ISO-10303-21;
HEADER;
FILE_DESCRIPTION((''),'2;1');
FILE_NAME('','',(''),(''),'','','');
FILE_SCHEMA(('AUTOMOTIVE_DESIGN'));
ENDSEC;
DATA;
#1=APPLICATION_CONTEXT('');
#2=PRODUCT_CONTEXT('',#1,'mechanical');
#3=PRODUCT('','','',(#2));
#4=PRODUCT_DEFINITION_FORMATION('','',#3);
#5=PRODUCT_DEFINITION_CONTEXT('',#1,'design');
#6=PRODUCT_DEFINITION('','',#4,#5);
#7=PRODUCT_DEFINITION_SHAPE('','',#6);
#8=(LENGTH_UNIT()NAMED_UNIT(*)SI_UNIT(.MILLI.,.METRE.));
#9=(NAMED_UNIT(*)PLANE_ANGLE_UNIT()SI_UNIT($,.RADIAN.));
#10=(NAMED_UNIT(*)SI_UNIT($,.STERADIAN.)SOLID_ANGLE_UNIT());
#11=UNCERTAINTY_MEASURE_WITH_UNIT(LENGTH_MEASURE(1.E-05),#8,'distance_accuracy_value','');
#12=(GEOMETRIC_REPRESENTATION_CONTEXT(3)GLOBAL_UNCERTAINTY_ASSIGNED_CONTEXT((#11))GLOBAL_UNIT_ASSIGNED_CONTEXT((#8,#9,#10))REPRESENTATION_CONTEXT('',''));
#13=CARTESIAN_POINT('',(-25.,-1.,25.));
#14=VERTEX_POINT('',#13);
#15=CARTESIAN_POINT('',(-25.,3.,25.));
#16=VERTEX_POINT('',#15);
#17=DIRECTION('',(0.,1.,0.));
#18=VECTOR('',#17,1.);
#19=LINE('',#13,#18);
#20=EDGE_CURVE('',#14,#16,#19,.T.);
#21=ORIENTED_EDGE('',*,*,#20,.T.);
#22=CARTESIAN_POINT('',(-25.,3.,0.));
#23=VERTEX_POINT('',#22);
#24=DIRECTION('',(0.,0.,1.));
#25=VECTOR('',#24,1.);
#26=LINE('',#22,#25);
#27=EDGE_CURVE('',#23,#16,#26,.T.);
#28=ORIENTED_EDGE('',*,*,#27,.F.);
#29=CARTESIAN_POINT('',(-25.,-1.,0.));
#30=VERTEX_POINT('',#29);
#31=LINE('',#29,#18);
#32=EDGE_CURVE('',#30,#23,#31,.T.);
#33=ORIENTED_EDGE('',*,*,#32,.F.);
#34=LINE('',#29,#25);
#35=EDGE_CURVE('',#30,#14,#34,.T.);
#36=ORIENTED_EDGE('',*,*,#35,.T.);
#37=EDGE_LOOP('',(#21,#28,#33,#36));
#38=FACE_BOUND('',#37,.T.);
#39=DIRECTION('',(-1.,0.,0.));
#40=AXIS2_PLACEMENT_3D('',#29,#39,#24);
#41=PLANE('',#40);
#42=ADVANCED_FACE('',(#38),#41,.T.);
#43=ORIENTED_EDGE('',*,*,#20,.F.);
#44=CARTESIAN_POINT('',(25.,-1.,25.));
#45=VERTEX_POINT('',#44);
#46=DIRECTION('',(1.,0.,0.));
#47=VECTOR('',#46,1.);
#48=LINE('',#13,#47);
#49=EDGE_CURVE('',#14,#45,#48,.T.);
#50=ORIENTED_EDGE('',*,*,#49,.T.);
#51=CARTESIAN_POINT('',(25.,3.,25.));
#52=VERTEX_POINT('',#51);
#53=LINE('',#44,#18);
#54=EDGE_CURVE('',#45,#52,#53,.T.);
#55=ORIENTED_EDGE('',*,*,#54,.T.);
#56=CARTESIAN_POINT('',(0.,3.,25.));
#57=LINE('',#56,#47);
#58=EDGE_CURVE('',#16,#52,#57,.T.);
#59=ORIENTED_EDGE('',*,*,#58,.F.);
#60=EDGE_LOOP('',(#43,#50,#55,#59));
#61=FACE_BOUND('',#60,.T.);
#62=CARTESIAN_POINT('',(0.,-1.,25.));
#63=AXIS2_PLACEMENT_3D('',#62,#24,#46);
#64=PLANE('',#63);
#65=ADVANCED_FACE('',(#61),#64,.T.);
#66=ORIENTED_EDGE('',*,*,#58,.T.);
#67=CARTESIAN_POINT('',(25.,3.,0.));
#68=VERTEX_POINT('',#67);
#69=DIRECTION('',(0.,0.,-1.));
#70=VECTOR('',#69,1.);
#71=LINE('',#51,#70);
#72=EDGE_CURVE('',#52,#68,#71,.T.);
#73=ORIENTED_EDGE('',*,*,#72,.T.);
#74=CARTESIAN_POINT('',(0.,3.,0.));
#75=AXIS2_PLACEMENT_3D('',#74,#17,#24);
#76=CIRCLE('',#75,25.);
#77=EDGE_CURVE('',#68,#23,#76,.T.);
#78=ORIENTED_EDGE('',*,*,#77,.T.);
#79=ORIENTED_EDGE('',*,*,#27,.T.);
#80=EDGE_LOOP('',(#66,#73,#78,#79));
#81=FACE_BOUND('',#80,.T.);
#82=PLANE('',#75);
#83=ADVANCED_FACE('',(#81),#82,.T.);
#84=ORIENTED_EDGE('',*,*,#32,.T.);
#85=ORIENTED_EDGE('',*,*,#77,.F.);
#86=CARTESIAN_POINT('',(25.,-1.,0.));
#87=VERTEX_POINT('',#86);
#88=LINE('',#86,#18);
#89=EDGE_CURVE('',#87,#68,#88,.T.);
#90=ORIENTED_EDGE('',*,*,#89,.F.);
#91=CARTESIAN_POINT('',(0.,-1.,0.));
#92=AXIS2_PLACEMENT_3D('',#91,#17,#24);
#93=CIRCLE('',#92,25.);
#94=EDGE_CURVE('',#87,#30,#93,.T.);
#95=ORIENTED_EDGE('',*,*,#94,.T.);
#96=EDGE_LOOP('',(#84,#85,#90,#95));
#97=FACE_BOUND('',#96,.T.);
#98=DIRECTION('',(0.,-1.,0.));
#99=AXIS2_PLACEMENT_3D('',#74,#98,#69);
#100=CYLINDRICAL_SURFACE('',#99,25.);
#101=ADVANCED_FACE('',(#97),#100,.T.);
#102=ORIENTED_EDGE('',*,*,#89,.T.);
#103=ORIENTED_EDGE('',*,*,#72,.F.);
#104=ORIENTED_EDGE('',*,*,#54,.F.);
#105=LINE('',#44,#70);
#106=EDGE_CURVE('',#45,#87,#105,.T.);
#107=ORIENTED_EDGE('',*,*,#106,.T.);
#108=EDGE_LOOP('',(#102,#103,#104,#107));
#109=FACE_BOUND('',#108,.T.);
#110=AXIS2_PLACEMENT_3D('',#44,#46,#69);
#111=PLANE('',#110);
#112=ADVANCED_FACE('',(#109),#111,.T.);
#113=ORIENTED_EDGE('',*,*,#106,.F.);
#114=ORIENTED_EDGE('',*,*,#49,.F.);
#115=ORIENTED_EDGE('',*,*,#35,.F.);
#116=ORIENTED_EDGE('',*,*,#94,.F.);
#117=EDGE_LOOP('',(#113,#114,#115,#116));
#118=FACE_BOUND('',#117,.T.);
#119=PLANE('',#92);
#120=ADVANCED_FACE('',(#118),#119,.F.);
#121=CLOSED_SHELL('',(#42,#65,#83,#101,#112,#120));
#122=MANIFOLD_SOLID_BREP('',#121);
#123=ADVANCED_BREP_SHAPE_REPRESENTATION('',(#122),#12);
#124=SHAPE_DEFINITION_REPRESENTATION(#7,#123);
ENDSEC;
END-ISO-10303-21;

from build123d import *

# Parameters (mm, degrees)
SKETCH1_R           = 25
BOSS_EXTRUDE1_DEPTH = 3
BOSS_EXTRUDE2_START = -4
BOSS_EXTRUDE2_DEPTH = 4


with BuildPart() as part:
    # Sketch1 → Boss-Extrude1 (new body)
    with BuildSketch(Plane(origin=(0, 0, 0), x_dir=(1, 0, 0), z_dir=(0, 1, 0))):
        with Locations(Location((0, 0, 0), (0, 0, 270))):
            Circle(SKETCH1_R)
    extrude(amount=BOSS_EXTRUDE1_DEPTH)

    # Sketch2 → Boss-Extrude2 (add)
    with BuildSketch(Plane(origin=(0, 3, 0), x_dir=(1, 0, 0), z_dir=(0, 1, 0)).offset(BOSS_EXTRUDE2_START)):
        with BuildLine():
            Line((0, -25), (25, -25))
            Line((25, -25), (25, 0))
            ThreePointArc((25, 0), (0, 25), (-25, 0))
            Line((-25, 0), (-25, -25))
            Line((-25, -25), (0, -25))
        make_face()
    extrude(amount=BOSS_EXTRUDE2_DEPTH)


solid = part.part
